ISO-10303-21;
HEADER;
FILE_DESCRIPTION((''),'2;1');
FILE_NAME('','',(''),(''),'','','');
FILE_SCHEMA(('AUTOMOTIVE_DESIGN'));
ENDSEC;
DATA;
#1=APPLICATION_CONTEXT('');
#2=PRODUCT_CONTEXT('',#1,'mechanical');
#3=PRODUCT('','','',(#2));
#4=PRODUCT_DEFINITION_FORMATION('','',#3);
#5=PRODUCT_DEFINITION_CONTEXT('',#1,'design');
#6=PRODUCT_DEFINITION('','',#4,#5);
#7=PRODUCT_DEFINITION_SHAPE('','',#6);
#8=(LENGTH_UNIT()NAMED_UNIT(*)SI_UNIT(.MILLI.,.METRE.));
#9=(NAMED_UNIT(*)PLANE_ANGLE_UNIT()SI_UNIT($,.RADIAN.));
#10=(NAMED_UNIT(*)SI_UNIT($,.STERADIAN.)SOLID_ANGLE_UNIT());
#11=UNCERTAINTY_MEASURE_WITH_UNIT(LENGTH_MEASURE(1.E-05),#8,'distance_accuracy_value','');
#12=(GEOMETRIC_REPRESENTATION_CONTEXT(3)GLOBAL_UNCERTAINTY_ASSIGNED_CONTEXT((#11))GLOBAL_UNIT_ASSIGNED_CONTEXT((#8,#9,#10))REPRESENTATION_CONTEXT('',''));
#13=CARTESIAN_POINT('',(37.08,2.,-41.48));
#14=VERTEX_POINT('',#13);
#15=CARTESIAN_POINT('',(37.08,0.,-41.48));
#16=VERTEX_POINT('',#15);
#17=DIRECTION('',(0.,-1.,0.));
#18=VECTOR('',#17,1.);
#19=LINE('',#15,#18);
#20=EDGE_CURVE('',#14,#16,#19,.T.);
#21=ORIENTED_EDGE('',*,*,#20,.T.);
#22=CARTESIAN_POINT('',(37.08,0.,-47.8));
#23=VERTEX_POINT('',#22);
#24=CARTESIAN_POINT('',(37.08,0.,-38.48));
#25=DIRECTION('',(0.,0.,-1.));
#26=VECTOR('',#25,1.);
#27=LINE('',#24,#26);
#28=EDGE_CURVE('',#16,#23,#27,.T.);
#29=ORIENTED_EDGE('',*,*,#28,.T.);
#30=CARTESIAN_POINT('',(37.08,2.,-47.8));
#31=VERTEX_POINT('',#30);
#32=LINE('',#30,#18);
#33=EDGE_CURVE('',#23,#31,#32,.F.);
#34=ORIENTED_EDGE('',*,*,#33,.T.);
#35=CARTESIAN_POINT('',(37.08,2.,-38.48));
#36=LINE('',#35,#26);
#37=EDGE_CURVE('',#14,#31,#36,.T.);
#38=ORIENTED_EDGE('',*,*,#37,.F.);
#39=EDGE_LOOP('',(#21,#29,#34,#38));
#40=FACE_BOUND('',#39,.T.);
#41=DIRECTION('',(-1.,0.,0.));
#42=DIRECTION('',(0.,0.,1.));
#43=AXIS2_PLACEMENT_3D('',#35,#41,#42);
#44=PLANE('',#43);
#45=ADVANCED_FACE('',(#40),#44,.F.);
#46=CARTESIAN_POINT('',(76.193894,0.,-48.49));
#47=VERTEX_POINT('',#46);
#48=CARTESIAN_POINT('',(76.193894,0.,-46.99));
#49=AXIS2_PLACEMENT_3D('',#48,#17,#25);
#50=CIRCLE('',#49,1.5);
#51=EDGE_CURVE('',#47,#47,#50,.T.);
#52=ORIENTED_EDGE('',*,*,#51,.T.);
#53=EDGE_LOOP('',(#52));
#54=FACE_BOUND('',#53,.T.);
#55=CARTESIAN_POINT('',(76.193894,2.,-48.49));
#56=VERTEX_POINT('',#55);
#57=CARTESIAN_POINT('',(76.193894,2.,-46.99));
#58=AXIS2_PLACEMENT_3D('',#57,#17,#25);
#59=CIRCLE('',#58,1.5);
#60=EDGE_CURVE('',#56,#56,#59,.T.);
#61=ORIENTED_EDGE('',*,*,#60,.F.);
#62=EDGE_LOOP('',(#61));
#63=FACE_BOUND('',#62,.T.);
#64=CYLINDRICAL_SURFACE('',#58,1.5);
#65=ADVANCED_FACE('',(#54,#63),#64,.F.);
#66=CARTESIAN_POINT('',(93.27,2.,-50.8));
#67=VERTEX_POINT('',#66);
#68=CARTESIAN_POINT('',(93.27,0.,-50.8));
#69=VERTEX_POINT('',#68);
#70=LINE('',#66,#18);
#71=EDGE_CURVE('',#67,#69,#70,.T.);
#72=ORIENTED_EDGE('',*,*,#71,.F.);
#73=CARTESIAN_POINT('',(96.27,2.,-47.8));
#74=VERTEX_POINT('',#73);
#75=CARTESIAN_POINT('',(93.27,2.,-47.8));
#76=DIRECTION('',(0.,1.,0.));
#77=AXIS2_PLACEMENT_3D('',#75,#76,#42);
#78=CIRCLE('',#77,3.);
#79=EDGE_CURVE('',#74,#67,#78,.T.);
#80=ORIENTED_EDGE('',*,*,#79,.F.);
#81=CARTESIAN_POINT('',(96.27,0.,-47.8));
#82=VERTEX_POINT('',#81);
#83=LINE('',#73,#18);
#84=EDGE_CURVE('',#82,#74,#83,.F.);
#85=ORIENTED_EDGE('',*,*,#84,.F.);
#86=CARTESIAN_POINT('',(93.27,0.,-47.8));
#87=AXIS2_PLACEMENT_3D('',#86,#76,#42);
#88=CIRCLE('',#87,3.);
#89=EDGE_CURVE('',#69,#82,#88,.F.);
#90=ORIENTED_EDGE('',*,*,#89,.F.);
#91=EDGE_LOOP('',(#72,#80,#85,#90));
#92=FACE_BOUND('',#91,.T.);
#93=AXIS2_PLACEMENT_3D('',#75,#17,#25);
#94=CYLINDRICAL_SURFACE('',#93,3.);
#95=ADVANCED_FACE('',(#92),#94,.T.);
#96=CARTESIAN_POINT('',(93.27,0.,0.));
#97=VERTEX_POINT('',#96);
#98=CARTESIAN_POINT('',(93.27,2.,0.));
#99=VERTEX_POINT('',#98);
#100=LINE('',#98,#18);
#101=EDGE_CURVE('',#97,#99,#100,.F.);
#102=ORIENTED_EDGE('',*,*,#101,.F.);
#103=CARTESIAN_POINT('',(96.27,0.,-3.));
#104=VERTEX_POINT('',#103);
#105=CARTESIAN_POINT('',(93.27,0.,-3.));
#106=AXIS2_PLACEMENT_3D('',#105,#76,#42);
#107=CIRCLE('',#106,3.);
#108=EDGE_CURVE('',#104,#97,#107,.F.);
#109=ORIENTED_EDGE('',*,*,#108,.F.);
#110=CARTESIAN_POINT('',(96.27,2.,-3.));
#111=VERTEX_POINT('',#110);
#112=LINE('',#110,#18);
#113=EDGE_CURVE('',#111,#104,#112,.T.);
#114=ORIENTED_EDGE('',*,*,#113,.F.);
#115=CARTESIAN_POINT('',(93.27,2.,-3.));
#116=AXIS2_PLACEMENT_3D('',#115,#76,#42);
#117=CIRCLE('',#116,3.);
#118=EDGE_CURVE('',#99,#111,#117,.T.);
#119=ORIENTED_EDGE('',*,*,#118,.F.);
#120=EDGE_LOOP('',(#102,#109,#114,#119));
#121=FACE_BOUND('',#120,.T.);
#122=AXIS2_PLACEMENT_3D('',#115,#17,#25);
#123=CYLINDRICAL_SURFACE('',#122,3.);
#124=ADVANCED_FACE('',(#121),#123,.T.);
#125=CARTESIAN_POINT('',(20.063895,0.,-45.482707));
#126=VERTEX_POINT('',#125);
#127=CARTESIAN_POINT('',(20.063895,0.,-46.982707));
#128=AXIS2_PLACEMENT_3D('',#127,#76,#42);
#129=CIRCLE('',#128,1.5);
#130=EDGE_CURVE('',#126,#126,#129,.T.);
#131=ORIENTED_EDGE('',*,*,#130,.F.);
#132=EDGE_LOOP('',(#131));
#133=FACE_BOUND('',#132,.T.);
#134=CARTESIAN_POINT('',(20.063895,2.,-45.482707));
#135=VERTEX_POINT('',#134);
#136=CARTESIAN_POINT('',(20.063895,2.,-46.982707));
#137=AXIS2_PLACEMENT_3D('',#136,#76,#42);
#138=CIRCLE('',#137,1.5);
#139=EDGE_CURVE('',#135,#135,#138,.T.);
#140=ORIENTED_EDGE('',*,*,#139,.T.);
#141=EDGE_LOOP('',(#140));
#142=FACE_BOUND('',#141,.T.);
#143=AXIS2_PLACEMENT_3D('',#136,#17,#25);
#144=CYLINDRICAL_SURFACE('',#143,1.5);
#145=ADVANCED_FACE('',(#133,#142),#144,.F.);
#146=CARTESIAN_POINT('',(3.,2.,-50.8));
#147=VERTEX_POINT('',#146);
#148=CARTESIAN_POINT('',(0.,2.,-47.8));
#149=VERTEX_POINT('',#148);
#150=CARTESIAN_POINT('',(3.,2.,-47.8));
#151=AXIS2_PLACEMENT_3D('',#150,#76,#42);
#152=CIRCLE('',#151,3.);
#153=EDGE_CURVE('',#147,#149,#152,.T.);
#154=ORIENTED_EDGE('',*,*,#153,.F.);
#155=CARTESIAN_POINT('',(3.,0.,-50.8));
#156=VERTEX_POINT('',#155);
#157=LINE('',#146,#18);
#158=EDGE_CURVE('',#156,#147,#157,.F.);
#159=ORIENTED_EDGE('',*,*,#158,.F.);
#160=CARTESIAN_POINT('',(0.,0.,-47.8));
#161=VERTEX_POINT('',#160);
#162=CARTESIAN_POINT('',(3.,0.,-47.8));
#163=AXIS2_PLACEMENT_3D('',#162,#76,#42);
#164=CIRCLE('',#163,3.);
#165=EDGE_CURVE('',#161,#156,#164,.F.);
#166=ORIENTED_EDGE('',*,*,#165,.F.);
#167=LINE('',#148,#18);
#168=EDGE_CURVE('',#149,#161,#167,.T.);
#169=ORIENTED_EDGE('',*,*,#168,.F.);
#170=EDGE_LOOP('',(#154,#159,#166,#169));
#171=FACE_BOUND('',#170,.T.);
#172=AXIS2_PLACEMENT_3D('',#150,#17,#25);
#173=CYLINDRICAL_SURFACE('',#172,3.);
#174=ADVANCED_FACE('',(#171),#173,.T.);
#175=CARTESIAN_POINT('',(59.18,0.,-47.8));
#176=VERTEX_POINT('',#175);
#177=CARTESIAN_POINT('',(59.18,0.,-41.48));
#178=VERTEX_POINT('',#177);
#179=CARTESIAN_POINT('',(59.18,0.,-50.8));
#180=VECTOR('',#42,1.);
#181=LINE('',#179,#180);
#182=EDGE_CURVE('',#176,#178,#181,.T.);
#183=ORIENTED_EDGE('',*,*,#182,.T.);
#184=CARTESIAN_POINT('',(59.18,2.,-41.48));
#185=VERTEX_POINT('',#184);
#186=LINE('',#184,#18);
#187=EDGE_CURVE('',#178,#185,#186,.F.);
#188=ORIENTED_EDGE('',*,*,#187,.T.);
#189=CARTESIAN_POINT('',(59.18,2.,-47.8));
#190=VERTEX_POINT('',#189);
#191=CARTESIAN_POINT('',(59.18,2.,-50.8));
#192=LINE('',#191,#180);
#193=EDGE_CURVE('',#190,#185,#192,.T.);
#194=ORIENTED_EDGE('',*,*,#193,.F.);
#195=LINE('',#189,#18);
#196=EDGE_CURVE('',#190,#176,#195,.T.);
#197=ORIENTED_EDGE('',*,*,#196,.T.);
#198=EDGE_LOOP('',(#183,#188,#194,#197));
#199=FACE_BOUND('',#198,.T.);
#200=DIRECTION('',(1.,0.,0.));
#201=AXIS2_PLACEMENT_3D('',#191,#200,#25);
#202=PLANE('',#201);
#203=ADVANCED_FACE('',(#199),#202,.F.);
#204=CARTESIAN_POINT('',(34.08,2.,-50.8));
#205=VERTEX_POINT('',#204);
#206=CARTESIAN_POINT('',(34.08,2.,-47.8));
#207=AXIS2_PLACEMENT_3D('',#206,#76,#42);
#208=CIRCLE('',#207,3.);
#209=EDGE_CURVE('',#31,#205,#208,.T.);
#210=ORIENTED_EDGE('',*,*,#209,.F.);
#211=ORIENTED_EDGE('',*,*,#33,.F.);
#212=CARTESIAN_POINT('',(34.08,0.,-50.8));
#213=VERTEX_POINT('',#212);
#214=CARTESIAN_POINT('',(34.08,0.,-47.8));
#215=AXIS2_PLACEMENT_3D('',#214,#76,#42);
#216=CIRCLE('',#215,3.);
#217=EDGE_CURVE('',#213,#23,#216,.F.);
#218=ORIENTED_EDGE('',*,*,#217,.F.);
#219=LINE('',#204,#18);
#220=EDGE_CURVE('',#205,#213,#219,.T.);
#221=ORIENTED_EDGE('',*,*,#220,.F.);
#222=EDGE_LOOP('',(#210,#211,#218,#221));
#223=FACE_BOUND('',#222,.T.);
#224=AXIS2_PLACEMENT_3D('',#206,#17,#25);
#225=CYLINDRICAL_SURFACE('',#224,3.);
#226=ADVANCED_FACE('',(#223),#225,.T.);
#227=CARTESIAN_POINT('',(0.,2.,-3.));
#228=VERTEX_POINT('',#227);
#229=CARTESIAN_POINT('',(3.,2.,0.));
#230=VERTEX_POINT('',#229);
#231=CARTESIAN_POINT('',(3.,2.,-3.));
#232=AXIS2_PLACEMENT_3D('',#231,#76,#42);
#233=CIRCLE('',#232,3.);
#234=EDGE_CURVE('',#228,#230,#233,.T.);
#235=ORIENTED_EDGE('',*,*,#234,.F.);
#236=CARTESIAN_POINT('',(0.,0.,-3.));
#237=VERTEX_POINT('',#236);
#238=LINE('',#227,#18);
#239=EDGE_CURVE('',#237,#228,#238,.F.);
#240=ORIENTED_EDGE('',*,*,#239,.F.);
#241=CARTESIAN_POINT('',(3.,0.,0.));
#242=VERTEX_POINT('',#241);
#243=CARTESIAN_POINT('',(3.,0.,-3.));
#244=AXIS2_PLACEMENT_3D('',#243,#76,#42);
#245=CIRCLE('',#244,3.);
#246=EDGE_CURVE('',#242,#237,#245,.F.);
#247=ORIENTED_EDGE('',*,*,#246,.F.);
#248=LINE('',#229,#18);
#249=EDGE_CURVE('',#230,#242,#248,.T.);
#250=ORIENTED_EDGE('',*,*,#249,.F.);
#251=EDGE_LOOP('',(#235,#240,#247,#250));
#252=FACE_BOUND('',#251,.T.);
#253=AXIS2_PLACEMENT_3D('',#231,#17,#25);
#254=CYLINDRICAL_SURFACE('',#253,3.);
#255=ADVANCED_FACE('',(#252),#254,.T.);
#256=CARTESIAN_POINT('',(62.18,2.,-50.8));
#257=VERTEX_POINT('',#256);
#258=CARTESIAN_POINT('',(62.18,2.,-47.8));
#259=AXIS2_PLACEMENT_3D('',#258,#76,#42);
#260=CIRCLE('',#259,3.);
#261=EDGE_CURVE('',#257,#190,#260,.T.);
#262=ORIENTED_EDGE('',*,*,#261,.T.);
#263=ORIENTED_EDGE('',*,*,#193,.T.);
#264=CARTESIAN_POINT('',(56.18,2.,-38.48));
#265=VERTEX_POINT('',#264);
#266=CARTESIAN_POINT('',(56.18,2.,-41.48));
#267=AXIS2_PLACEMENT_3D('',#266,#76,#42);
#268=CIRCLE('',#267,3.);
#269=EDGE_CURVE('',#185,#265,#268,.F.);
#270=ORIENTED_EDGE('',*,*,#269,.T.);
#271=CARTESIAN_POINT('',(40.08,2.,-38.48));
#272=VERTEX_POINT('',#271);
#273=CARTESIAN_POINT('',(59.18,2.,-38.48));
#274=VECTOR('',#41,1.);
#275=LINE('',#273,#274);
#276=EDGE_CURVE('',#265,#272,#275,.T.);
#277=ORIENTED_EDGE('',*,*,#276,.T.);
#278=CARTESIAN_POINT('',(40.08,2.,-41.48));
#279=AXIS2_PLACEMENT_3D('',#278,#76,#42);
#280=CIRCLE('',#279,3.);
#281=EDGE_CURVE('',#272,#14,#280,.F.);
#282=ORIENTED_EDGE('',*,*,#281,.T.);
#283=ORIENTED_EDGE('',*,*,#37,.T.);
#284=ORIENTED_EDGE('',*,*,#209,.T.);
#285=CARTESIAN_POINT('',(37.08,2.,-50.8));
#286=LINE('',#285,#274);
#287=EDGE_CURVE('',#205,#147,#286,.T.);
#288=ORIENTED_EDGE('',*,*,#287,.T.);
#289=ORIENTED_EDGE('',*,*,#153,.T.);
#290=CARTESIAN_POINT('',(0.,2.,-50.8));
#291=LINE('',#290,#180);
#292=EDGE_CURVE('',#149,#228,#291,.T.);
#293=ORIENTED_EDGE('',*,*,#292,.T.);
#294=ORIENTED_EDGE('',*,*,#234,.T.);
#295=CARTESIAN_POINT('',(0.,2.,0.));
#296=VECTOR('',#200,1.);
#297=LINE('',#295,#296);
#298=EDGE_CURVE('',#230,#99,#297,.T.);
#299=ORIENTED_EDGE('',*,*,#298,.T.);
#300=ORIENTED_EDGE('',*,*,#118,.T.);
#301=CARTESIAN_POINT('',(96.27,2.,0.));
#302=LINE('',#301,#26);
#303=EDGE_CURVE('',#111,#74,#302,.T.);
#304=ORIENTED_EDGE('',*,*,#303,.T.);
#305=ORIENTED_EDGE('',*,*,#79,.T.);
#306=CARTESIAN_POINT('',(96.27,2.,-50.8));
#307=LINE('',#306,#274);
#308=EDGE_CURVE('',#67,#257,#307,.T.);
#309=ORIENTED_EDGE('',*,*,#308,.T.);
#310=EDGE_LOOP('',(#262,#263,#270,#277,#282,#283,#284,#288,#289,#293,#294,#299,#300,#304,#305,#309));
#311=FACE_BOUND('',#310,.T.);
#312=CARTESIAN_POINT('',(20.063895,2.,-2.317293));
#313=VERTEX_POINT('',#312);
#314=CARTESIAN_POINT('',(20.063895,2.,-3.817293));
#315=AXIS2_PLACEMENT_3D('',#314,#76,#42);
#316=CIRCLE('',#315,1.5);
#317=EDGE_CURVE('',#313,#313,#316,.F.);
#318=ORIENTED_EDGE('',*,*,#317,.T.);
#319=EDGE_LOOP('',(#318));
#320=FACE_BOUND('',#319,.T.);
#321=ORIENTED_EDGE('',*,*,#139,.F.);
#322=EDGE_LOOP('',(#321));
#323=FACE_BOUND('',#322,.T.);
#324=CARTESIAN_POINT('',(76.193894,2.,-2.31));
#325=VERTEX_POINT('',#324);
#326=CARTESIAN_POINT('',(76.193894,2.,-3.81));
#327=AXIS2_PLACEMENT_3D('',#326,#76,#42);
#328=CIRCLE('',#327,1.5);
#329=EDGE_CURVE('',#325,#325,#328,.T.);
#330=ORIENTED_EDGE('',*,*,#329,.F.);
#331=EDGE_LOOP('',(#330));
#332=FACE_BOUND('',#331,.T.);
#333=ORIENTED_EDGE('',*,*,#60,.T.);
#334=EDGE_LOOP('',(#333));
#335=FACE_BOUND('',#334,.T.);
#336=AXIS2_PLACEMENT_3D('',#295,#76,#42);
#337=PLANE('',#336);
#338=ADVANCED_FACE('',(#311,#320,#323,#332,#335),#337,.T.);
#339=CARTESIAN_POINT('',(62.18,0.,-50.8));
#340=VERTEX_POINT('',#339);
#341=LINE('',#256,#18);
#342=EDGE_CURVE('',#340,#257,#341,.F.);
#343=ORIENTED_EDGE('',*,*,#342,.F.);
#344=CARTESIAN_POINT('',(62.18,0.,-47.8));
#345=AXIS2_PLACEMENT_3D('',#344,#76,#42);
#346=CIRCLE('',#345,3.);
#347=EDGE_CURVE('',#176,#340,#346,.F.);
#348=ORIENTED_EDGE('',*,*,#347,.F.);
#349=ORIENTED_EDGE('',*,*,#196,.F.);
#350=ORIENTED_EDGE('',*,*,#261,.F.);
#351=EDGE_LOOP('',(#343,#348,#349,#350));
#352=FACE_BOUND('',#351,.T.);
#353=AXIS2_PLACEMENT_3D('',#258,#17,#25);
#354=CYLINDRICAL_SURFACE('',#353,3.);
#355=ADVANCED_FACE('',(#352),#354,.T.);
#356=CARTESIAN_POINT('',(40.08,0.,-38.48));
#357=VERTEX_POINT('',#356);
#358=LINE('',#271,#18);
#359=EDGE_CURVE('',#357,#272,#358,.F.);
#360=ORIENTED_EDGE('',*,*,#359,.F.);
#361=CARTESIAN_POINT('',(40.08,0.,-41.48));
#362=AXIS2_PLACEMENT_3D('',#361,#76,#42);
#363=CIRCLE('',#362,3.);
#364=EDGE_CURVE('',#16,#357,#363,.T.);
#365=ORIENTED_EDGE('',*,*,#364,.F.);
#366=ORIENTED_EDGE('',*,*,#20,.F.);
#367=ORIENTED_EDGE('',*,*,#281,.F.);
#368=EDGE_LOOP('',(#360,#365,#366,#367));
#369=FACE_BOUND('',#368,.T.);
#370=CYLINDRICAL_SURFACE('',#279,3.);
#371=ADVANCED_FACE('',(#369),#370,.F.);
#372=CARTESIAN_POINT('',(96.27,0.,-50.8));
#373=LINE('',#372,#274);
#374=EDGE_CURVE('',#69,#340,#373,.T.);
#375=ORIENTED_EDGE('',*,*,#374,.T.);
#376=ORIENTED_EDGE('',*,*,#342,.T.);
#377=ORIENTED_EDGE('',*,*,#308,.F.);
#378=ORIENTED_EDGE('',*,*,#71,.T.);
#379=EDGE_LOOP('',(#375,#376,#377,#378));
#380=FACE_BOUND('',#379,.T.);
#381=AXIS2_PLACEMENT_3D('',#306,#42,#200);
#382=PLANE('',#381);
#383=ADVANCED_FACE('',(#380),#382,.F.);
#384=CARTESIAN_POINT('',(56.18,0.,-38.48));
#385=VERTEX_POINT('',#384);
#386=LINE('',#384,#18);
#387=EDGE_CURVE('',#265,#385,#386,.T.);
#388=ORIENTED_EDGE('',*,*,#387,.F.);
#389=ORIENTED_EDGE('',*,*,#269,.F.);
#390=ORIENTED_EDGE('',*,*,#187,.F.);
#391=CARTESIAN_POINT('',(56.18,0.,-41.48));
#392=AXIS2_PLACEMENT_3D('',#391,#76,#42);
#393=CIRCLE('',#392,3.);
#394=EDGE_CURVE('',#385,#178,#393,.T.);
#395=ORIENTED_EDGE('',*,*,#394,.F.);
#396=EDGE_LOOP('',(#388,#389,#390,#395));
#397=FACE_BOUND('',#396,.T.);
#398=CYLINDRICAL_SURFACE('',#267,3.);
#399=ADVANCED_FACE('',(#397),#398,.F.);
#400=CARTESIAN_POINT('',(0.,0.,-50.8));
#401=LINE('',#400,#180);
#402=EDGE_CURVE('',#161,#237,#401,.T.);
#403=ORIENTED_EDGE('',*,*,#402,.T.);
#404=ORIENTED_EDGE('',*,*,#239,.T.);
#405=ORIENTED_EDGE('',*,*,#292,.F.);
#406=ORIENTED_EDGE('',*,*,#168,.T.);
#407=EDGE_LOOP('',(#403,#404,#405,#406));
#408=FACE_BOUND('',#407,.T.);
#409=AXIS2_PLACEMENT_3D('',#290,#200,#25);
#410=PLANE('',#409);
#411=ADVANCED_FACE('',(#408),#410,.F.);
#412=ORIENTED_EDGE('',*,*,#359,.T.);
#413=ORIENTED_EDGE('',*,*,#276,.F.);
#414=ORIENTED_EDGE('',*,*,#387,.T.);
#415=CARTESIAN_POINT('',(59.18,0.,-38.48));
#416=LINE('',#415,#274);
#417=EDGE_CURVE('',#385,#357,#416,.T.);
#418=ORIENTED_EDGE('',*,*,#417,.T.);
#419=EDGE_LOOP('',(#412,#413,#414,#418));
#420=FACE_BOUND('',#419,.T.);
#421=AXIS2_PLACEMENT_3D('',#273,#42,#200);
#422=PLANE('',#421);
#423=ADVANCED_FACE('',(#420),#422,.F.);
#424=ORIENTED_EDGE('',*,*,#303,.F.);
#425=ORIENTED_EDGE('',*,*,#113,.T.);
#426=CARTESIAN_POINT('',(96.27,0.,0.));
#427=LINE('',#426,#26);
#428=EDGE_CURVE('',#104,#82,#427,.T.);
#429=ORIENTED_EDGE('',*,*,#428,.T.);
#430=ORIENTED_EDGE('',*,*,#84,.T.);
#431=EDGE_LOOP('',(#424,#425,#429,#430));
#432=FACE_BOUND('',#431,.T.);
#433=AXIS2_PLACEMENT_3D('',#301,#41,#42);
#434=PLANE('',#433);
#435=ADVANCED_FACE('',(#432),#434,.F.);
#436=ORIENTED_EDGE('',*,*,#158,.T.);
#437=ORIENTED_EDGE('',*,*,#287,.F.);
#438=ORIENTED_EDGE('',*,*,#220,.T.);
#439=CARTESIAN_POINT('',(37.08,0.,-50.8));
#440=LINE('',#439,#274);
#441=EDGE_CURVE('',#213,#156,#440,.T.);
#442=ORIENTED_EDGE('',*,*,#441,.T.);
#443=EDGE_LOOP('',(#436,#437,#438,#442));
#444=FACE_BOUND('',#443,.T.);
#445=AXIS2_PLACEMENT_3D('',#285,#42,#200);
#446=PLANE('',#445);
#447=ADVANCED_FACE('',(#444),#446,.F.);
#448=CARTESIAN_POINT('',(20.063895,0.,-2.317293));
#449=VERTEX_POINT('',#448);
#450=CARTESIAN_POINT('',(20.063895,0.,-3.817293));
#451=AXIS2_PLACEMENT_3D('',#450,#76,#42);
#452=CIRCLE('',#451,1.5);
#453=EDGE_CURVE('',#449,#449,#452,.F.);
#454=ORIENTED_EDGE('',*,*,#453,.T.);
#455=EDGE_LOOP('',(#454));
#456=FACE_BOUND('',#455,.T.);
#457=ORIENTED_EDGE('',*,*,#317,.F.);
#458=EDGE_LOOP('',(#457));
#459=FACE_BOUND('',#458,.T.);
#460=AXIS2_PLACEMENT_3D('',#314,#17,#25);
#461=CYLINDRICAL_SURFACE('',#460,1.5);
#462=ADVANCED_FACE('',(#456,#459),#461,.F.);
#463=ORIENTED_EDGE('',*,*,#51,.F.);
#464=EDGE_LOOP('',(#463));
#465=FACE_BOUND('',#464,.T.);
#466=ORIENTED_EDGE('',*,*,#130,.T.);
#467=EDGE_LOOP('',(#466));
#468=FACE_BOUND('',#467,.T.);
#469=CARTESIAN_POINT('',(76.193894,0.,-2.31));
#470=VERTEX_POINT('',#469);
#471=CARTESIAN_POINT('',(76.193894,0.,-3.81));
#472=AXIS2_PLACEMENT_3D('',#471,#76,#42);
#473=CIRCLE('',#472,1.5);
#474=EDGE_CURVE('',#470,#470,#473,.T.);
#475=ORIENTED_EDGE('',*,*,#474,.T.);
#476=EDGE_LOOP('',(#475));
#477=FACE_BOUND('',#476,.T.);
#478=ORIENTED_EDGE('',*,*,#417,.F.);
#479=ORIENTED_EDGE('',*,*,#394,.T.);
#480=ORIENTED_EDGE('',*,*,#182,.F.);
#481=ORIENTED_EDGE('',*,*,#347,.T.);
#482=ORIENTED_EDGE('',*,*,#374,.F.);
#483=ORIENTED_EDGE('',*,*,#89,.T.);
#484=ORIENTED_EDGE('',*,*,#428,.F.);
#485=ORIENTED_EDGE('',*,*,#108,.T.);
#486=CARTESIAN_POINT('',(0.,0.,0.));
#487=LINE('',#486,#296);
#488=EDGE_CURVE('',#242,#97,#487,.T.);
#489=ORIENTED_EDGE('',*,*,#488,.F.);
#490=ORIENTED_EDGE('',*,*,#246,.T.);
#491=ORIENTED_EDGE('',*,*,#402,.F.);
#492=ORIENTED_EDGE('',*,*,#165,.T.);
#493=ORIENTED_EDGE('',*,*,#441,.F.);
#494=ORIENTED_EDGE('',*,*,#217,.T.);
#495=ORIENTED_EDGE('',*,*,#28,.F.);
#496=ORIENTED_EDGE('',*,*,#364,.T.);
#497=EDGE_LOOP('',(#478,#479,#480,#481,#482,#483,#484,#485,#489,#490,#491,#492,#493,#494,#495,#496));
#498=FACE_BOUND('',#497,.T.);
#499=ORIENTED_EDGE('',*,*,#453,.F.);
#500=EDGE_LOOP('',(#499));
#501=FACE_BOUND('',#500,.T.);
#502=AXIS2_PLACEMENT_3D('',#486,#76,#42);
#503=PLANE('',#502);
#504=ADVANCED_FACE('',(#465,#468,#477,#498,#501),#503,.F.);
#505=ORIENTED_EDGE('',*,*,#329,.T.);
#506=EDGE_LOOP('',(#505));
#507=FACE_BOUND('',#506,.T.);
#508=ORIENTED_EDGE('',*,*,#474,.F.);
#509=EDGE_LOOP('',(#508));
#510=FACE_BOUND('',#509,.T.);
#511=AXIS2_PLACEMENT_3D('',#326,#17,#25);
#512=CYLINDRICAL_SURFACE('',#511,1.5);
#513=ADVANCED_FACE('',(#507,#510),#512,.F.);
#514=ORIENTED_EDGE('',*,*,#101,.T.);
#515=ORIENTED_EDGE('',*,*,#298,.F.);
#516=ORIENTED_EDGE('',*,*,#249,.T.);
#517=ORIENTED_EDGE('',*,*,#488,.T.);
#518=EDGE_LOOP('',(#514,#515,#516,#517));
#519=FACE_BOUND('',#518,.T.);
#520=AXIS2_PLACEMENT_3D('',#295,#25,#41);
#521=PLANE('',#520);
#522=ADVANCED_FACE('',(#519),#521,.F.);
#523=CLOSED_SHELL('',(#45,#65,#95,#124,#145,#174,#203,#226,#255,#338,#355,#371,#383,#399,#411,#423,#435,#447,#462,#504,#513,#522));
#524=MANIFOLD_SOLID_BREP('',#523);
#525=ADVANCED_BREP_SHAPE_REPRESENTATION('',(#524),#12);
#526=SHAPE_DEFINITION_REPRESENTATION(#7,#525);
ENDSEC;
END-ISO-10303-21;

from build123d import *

# Parameters (mm, degrees)
SKETCH_1_R      = 1.5
EXTRUDE_1_DEPTH = 2
FILLET_1_R      = 3


with BuildPart() as part:
    # 草图1 → 凸台-拉伸1 (new body)
    with BuildSketch(Plane(origin=(0, 0, 0), x_dir=(1, 0, 0), z_dir=(0, 1, 0))):
        Polygon((0, 0), (96.27, 0), (96.27, 50.8), (59.18, 50.8), (59.18, 38.48), (37.08, 38.48), (37.08, 50.8), (0, 50.8), align=None)
        with Locations(Location((20.063894942, 46.982706601, 0), (0, 0, 270))):
            Circle(SKETCH_1_R, mode=Mode.SUBTRACT)
        with Locations(Location((76.193894468, 46.99, 0), (0, 0, 90))):
            Circle(SKETCH_1_R, mode=Mode.SUBTRACT)
        with Locations(Location((76.193894468, 3.81, 0), (0, 0, 270))):
            Circle(SKETCH_1_R, mode=Mode.SUBTRACT)
        with Locations(Location((20.063894942, 3.817293399, 0), (0, 0, 270))):
            Circle(SKETCH_1_R, mode=Mode.SUBTRACT)
    extrude(amount=EXTRUDE_1_DEPTH)

    # 圆角1
    fillet_1_edges = [part.edges().sort_by_distance(p)[0] for p in [
        (37.08, 1, -50.8),
        (37.08, 1, -38.48),
        (59.18, 1, -38.48),
        (59.18, 1, -50.8),
        (96.27, 1, -50.8),
        (96.27, 1, 0),
        (0, 1, 0),
        (0, 1, -50.8),
    ]]
    fillet(fillet_1_edges, radius=FILLET_1_R)


solid = part.part
